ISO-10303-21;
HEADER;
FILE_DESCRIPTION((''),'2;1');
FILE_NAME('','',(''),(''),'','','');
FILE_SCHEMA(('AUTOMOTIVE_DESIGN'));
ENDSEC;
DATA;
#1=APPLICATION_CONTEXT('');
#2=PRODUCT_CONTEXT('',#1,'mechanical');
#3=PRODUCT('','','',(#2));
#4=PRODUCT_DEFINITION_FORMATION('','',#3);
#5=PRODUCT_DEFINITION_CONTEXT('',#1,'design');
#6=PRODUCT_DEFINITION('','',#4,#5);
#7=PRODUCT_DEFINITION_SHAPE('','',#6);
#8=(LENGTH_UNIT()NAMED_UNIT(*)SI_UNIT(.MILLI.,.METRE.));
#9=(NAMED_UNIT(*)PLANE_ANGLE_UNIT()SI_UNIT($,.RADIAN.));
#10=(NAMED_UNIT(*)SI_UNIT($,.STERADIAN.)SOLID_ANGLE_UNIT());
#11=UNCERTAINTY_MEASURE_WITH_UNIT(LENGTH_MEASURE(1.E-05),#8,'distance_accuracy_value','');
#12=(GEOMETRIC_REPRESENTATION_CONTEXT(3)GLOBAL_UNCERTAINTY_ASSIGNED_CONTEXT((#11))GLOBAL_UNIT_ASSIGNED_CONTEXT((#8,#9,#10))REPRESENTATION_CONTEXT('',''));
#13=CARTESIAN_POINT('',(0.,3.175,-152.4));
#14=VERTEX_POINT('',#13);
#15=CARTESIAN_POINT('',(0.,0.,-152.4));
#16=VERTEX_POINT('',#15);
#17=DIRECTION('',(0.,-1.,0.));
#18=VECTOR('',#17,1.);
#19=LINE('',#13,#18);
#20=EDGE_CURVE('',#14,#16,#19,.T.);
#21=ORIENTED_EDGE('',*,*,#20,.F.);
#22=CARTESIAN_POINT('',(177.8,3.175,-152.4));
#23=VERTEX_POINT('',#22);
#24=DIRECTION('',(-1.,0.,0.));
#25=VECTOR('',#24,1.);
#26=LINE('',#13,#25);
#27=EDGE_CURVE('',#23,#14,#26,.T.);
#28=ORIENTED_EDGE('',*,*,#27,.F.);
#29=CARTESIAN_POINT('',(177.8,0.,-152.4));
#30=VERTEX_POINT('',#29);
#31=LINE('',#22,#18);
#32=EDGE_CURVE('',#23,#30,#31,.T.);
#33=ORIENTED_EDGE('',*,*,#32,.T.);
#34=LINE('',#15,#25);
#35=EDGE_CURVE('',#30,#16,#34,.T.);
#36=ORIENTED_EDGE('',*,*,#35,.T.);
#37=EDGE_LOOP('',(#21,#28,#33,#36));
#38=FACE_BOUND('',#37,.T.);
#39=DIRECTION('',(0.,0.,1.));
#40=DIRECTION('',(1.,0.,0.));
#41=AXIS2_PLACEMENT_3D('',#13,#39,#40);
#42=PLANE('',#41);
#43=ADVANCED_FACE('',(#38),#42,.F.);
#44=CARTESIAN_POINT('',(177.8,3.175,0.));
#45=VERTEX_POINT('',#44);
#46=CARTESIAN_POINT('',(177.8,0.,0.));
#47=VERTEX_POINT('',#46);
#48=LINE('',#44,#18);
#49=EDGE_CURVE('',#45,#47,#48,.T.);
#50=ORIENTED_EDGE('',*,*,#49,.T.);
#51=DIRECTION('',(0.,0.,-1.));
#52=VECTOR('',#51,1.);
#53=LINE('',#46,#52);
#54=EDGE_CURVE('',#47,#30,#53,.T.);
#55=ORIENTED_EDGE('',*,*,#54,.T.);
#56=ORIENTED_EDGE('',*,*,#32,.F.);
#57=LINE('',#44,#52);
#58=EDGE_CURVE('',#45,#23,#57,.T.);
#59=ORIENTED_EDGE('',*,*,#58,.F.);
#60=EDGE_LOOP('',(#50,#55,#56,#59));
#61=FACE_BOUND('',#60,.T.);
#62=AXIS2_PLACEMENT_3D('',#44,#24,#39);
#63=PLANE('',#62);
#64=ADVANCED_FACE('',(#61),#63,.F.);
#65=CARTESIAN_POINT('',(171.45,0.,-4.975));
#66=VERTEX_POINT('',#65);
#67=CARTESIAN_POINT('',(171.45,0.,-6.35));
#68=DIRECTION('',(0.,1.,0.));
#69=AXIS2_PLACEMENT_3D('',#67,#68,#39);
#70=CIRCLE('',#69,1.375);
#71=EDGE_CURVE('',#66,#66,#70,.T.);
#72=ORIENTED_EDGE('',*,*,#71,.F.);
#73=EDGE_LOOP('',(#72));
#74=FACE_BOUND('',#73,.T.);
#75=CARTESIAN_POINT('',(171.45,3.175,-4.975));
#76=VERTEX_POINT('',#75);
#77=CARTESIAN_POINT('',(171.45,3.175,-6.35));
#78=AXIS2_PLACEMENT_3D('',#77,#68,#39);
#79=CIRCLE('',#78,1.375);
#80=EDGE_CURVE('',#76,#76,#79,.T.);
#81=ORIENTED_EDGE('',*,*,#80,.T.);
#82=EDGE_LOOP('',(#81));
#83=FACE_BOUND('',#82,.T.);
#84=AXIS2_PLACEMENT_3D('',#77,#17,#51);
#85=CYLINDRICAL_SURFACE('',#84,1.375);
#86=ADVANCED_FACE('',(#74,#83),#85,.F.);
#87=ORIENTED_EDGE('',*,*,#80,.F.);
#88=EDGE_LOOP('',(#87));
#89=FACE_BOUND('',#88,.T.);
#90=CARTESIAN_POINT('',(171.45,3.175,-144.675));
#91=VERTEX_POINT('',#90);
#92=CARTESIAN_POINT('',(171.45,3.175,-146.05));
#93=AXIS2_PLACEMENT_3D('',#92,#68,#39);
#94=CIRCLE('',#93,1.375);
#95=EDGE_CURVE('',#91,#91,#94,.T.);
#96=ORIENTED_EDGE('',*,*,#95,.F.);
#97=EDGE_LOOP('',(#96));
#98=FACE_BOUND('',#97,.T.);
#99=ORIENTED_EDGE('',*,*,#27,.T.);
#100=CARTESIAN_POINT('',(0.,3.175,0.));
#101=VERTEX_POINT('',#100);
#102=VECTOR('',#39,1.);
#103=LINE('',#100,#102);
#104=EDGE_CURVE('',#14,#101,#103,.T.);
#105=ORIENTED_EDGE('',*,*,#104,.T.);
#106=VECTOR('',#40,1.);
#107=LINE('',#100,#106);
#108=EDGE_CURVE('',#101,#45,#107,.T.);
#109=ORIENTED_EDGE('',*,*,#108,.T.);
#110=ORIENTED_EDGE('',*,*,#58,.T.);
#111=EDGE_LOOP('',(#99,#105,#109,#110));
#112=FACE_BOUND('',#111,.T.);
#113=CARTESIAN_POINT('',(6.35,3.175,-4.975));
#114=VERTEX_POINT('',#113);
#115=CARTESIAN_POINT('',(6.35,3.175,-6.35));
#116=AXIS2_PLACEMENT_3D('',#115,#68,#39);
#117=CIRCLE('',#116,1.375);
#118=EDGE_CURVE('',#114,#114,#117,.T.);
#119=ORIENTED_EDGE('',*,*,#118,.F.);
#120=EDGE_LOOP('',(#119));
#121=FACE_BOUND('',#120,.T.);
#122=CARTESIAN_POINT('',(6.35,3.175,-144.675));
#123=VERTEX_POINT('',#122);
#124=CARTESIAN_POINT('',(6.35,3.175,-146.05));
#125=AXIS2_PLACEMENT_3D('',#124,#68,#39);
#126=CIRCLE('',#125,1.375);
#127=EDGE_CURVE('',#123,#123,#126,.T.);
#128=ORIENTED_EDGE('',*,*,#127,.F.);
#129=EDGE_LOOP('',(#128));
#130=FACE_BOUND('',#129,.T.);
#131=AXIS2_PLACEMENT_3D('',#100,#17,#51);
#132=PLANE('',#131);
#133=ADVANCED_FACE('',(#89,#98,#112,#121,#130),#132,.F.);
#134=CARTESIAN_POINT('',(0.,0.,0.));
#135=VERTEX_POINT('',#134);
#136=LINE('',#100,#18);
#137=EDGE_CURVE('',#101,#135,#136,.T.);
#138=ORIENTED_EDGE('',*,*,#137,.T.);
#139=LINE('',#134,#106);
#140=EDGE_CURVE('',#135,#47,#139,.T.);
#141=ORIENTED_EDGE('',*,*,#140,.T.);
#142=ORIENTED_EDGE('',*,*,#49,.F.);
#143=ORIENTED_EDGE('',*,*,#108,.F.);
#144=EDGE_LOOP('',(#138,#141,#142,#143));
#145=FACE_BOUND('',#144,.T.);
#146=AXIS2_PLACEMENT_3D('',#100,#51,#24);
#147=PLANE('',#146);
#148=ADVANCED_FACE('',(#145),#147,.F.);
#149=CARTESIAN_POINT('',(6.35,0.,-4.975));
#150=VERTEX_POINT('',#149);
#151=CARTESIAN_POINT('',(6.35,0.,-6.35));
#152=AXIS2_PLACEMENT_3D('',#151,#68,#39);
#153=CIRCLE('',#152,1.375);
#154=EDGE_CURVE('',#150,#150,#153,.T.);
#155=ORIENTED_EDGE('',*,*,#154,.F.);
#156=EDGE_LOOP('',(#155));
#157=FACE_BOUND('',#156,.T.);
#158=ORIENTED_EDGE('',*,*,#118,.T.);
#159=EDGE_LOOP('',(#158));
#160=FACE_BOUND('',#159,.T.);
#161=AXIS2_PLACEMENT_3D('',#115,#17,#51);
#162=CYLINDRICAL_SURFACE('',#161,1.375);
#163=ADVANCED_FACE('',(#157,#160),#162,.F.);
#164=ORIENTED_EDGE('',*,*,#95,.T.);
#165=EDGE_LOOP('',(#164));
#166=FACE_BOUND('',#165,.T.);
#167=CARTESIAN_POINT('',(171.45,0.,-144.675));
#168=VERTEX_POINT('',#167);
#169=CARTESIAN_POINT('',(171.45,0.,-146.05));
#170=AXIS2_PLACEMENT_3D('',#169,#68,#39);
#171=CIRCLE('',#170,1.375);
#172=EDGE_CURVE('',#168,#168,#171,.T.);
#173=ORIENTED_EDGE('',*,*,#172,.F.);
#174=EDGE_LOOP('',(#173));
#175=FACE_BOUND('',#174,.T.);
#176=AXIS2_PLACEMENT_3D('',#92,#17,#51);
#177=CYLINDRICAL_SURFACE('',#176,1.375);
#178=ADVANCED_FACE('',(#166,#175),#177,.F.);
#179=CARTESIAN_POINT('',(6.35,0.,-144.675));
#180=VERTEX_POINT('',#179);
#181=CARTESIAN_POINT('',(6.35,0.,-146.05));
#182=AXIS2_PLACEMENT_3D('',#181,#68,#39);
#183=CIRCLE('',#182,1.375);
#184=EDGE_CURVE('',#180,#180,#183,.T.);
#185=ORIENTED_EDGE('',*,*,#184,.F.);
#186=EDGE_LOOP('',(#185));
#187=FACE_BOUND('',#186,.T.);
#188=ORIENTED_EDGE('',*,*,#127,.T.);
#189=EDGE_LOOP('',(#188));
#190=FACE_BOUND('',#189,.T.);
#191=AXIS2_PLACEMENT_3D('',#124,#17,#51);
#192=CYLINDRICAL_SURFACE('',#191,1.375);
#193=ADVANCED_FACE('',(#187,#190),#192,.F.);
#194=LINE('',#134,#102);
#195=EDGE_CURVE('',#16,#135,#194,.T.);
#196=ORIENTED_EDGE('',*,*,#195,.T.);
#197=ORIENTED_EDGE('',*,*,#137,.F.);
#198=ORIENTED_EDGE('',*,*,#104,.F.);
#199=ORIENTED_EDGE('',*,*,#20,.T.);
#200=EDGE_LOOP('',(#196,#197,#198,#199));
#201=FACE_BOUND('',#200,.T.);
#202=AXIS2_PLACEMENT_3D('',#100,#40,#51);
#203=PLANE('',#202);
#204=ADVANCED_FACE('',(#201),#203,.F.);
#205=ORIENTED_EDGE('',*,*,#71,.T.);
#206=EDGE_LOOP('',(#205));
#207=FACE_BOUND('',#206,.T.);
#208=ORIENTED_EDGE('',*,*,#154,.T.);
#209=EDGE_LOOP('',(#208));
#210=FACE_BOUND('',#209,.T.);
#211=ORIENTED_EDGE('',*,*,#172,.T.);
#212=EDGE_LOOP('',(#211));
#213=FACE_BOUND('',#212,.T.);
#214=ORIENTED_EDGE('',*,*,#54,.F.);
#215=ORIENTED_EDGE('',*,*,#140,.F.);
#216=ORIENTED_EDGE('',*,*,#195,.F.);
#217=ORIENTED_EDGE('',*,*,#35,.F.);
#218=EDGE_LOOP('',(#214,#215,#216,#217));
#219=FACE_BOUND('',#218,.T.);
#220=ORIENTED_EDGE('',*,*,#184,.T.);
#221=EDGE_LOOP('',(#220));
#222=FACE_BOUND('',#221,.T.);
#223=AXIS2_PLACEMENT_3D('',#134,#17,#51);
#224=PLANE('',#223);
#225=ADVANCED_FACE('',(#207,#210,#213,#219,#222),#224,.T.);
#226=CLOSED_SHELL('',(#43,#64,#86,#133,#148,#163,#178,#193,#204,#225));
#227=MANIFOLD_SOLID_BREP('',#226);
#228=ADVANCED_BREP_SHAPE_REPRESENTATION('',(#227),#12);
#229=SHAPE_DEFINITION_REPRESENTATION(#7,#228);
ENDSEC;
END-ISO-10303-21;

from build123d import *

# Parameters (mm, degrees)
SKETCH1_W           = 177.8
SKETCH1_H           = 152.4
SKETCH1_R           = 1.375
BOSS_EXTRUDE1_DEPTH = 3.175


with BuildPart() as part:
    # Sketch1 → Boss-Extrude1 (new body)
    with BuildSketch(Plane(origin=(0, 0, 0), x_dir=(1, 0, 0), z_dir=(0, 1, 0))):
        with Locations((88.9, 76.2)):
            Rectangle(SKETCH1_W, SKETCH1_H)
        with Locations(Location((6.35, 146.05, 0), (0, 0, 270))):
            Circle(SKETCH1_R, mode=Mode.SUBTRACT)
        with Locations(Location((171.45, 146.05, 0), (0, 0, 270))):
            Circle(SKETCH1_R, mode=Mode.SUBTRACT)
        with Locations(Location((6.35, 6.35, 0), (0, 0, 270))):
            Circle(SKETCH1_R, mode=Mode.SUBTRACT)
        with Locations(Location((171.45, 6.35, 0), (0, 0, 270))):
            Circle(SKETCH1_R, mode=Mode.SUBTRACT)
    extrude(amount=BOSS_EXTRUDE1_DEPTH)


solid = part.part
